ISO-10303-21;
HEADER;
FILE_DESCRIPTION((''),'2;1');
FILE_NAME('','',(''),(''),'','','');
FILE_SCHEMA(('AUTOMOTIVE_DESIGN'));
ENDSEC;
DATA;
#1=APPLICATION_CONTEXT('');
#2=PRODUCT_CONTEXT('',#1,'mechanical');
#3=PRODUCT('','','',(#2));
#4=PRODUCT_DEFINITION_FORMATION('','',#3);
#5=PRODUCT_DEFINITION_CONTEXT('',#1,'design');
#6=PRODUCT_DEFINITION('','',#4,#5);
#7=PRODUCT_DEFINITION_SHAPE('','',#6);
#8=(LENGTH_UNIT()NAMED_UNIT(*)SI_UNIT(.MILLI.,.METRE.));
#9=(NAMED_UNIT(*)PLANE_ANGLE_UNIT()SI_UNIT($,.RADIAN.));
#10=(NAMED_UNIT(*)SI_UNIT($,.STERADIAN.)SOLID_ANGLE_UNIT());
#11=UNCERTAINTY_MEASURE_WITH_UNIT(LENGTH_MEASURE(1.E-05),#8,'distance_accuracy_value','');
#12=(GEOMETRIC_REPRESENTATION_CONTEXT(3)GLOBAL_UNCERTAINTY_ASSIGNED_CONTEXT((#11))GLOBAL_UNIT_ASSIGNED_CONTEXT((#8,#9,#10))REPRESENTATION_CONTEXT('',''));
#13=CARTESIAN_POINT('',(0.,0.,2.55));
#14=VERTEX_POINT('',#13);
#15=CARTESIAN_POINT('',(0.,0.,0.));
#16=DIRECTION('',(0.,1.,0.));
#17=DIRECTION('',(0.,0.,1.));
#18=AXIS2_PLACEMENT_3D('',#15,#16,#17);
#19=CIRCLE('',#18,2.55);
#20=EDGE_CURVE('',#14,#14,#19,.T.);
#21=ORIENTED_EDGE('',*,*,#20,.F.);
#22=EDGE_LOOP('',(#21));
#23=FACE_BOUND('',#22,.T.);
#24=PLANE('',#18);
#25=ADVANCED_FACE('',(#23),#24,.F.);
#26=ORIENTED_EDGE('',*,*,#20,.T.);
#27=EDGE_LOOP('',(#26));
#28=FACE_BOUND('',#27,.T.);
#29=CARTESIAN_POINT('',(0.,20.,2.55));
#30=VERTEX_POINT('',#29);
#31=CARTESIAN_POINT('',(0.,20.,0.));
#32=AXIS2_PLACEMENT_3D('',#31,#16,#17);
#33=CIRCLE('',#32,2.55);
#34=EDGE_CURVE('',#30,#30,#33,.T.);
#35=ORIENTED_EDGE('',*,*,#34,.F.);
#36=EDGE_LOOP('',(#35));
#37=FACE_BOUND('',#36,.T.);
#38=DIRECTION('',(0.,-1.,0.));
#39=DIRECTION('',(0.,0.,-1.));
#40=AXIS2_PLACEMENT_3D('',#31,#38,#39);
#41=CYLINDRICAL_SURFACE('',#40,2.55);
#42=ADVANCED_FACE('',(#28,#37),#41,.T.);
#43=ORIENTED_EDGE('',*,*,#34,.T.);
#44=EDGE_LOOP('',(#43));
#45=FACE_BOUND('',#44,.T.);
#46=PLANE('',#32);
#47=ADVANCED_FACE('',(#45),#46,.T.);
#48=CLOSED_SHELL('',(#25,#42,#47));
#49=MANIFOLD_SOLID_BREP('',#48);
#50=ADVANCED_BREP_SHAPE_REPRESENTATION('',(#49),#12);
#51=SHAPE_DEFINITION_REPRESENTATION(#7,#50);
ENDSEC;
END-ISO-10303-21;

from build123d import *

# Parameters (mm, degrees)
SKETCH_1_R      = 2.55
EXTRUDE_1_DEPTH = 20


with BuildPart() as part:
    # 스케치1 → 보스-돌출1 (new body)
    with BuildSketch(Plane(origin=(0, 0, 0), x_dir=(1, 0, 0), z_dir=(0, 1, 0))):
        with Locations(Location((0, 0, 0), (0, 0, 270))):
            Circle(SKETCH_1_R)
    extrude(amount=EXTRUDE_1_DEPTH)


solid = part.part
